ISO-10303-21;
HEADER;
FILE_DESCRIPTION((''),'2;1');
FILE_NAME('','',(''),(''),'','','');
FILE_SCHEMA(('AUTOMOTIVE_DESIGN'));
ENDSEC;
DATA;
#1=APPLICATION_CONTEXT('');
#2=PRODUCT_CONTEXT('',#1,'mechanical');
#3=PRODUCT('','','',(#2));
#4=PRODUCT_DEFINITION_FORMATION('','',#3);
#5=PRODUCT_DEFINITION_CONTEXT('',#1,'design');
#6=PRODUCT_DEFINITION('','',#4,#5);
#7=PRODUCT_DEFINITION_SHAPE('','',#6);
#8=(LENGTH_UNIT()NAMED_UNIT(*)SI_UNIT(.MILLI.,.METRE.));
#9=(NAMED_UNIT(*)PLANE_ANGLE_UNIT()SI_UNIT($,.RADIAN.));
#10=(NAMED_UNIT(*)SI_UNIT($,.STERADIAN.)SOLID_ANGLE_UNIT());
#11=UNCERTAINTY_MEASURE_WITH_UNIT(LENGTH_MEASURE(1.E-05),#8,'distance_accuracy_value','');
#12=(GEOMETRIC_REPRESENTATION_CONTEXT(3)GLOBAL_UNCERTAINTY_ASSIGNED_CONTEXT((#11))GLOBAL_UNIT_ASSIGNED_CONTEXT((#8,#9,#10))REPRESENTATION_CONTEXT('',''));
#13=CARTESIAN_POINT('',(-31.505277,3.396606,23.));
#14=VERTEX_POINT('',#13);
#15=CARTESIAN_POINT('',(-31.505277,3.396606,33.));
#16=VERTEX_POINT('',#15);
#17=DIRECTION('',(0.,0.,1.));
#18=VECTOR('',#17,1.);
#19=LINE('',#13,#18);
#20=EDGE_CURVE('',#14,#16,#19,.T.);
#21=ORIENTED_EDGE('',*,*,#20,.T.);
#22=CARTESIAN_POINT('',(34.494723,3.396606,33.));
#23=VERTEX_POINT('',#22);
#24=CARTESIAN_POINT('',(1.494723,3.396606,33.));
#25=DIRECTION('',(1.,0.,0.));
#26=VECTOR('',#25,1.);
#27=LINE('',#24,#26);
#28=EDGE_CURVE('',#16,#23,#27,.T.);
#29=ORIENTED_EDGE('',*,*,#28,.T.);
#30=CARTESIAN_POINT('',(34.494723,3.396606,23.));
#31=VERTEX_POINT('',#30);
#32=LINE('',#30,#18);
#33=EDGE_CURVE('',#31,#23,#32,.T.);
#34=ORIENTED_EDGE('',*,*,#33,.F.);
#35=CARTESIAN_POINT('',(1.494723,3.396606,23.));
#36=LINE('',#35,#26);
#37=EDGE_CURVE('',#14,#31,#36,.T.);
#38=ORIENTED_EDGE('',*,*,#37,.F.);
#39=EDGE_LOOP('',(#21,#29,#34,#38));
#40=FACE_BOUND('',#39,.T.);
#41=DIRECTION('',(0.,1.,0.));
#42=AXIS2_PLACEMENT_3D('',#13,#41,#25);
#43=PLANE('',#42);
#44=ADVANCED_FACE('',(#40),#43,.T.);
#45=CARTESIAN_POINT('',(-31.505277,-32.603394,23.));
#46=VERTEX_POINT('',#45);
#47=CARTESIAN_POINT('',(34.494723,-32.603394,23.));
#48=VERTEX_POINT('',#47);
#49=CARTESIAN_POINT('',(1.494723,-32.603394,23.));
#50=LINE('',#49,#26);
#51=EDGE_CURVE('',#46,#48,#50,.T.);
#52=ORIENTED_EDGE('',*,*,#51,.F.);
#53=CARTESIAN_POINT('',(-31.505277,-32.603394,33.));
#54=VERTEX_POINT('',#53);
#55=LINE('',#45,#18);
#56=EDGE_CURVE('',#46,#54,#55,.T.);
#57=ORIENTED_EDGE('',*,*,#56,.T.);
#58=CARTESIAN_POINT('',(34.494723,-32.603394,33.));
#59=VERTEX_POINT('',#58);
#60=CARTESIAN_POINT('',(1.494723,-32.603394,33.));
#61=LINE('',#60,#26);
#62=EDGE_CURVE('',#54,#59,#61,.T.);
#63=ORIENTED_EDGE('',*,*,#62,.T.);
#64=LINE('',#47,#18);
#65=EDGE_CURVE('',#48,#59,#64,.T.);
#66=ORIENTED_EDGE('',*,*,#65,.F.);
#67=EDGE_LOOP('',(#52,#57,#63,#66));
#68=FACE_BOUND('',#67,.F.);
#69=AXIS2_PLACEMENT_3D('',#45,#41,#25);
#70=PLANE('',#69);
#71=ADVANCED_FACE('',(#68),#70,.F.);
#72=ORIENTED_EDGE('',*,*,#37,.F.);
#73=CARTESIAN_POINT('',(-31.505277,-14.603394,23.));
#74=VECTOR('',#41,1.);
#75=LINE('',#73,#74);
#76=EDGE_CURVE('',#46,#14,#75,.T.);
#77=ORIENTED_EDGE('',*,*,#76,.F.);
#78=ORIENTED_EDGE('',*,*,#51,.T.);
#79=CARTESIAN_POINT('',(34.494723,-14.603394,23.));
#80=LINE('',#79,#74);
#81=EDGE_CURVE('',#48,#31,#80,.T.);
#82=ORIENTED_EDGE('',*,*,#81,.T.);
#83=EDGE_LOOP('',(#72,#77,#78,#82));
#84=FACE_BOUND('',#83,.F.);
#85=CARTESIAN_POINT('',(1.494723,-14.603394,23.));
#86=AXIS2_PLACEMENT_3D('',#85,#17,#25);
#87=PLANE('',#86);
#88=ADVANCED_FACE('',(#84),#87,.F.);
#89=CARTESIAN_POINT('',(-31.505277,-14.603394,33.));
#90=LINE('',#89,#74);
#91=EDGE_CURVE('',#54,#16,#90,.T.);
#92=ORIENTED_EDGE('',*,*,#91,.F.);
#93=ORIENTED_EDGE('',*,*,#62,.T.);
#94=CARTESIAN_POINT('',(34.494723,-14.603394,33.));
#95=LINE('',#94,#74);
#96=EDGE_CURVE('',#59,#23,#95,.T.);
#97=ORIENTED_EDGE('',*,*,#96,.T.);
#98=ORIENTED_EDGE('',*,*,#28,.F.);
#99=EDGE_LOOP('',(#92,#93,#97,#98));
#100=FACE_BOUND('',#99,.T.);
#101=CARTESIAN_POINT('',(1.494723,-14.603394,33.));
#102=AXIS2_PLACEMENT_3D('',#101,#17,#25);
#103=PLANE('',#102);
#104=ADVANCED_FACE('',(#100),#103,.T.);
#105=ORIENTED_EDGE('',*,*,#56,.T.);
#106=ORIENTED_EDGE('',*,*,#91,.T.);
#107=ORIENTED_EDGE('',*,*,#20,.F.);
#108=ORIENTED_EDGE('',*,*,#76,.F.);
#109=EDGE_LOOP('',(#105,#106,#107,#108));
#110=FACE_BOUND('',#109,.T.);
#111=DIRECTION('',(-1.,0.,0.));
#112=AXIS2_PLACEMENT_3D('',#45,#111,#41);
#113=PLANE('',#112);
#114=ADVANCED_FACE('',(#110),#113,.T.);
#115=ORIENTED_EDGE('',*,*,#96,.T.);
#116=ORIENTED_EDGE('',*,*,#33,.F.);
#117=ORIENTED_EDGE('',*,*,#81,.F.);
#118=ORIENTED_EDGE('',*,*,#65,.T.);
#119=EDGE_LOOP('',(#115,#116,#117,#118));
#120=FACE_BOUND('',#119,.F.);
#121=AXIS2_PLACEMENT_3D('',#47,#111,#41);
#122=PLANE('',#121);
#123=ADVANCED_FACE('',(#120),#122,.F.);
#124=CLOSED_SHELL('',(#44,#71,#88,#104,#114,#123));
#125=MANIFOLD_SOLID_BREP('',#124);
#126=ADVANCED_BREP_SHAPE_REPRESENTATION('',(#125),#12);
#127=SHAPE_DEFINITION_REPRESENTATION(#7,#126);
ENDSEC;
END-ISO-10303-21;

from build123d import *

# Parameters (mm, degrees)
CIRCLE001_R      = 0.5
EXTRUDE094_DEPTH = 10
CIRCLE002_R      = 0.5
EXTRUDE095_DEPTH = 10
CIRCLE003_R      = 0.5
EXTRUDE096_DEPTH = 10
RECTANGLE_W      = 66
RECTANGLE_H      = 36
EXTRUDE097_DEPTH = 10
CIRCLE_R         = 0.5
EXTRUDE093_DEPTH = 10


with BuildPart() as extrude094:
    # Circle001 → Extrude094 (new body)
    with BuildSketch(Plane(origin=(130.060043, -64.785744, 0), x_dir=(1, 0, 0), z_dir=(0, 0, 1))):
        Circle(CIRCLE001_R)
    extrude(amount=EXTRUDE094_DEPTH)


with BuildPart() as extrude095:
    # Circle002 → Extrude095 (new body)
    with BuildSketch(Plane(origin=(70.798393, -64.7696, 0), x_dir=(1, 0, 0), z_dir=(0, 0, 1))):
        Circle(CIRCLE002_R)
    extrude(amount=EXTRUDE095_DEPTH)


with BuildPart() as extrude096:
    # Circle003 → Extrude096 (new body)
    with BuildSketch(Plane(origin=(70.79007, -35.800797, 0), x_dir=(1, 0, 0), z_dir=(0, 0, 1))):
        Circle(CIRCLE003_R)
    extrude(amount=EXTRUDE096_DEPTH)


with BuildPart() as extrude097:
    # Rectangle → Extrude097 (new body)
    with BuildSketch(Plane(origin=(67.836318, -67.212706, 0), x_dir=(1, 0, 0), z_dir=(0, 0, 1))):
        with Locations((33, 18)):
            Rectangle(RECTANGLE_W, RECTANGLE_H)
    extrude(amount=EXTRUDE097_DEPTH)


with BuildPart() as pcb:
    # Circle → Extrude093 (new body)
    with BuildSketch(Plane(origin=(130.059311, -35.555641, 0), x_dir=(1, 0, 0), z_dir=(0, 0, 1))):
        Circle(CIRCLE_R)
    extrude(amount=EXTRUDE093_DEPTH)

    # Fusion003: union Extrude094, Extrude095, Extrude096, Extrude097
    add(extrude094.part)
    add(extrude095.part)
    add(extrude096.part)
    add(extrude097.part)


with BuildPart() as pcb_1:
    # Fusion003 placement: moved
    add(pcb.part.moved(Location((-99.341595, 34.609312, 23))))


solid = pcb_1.part
